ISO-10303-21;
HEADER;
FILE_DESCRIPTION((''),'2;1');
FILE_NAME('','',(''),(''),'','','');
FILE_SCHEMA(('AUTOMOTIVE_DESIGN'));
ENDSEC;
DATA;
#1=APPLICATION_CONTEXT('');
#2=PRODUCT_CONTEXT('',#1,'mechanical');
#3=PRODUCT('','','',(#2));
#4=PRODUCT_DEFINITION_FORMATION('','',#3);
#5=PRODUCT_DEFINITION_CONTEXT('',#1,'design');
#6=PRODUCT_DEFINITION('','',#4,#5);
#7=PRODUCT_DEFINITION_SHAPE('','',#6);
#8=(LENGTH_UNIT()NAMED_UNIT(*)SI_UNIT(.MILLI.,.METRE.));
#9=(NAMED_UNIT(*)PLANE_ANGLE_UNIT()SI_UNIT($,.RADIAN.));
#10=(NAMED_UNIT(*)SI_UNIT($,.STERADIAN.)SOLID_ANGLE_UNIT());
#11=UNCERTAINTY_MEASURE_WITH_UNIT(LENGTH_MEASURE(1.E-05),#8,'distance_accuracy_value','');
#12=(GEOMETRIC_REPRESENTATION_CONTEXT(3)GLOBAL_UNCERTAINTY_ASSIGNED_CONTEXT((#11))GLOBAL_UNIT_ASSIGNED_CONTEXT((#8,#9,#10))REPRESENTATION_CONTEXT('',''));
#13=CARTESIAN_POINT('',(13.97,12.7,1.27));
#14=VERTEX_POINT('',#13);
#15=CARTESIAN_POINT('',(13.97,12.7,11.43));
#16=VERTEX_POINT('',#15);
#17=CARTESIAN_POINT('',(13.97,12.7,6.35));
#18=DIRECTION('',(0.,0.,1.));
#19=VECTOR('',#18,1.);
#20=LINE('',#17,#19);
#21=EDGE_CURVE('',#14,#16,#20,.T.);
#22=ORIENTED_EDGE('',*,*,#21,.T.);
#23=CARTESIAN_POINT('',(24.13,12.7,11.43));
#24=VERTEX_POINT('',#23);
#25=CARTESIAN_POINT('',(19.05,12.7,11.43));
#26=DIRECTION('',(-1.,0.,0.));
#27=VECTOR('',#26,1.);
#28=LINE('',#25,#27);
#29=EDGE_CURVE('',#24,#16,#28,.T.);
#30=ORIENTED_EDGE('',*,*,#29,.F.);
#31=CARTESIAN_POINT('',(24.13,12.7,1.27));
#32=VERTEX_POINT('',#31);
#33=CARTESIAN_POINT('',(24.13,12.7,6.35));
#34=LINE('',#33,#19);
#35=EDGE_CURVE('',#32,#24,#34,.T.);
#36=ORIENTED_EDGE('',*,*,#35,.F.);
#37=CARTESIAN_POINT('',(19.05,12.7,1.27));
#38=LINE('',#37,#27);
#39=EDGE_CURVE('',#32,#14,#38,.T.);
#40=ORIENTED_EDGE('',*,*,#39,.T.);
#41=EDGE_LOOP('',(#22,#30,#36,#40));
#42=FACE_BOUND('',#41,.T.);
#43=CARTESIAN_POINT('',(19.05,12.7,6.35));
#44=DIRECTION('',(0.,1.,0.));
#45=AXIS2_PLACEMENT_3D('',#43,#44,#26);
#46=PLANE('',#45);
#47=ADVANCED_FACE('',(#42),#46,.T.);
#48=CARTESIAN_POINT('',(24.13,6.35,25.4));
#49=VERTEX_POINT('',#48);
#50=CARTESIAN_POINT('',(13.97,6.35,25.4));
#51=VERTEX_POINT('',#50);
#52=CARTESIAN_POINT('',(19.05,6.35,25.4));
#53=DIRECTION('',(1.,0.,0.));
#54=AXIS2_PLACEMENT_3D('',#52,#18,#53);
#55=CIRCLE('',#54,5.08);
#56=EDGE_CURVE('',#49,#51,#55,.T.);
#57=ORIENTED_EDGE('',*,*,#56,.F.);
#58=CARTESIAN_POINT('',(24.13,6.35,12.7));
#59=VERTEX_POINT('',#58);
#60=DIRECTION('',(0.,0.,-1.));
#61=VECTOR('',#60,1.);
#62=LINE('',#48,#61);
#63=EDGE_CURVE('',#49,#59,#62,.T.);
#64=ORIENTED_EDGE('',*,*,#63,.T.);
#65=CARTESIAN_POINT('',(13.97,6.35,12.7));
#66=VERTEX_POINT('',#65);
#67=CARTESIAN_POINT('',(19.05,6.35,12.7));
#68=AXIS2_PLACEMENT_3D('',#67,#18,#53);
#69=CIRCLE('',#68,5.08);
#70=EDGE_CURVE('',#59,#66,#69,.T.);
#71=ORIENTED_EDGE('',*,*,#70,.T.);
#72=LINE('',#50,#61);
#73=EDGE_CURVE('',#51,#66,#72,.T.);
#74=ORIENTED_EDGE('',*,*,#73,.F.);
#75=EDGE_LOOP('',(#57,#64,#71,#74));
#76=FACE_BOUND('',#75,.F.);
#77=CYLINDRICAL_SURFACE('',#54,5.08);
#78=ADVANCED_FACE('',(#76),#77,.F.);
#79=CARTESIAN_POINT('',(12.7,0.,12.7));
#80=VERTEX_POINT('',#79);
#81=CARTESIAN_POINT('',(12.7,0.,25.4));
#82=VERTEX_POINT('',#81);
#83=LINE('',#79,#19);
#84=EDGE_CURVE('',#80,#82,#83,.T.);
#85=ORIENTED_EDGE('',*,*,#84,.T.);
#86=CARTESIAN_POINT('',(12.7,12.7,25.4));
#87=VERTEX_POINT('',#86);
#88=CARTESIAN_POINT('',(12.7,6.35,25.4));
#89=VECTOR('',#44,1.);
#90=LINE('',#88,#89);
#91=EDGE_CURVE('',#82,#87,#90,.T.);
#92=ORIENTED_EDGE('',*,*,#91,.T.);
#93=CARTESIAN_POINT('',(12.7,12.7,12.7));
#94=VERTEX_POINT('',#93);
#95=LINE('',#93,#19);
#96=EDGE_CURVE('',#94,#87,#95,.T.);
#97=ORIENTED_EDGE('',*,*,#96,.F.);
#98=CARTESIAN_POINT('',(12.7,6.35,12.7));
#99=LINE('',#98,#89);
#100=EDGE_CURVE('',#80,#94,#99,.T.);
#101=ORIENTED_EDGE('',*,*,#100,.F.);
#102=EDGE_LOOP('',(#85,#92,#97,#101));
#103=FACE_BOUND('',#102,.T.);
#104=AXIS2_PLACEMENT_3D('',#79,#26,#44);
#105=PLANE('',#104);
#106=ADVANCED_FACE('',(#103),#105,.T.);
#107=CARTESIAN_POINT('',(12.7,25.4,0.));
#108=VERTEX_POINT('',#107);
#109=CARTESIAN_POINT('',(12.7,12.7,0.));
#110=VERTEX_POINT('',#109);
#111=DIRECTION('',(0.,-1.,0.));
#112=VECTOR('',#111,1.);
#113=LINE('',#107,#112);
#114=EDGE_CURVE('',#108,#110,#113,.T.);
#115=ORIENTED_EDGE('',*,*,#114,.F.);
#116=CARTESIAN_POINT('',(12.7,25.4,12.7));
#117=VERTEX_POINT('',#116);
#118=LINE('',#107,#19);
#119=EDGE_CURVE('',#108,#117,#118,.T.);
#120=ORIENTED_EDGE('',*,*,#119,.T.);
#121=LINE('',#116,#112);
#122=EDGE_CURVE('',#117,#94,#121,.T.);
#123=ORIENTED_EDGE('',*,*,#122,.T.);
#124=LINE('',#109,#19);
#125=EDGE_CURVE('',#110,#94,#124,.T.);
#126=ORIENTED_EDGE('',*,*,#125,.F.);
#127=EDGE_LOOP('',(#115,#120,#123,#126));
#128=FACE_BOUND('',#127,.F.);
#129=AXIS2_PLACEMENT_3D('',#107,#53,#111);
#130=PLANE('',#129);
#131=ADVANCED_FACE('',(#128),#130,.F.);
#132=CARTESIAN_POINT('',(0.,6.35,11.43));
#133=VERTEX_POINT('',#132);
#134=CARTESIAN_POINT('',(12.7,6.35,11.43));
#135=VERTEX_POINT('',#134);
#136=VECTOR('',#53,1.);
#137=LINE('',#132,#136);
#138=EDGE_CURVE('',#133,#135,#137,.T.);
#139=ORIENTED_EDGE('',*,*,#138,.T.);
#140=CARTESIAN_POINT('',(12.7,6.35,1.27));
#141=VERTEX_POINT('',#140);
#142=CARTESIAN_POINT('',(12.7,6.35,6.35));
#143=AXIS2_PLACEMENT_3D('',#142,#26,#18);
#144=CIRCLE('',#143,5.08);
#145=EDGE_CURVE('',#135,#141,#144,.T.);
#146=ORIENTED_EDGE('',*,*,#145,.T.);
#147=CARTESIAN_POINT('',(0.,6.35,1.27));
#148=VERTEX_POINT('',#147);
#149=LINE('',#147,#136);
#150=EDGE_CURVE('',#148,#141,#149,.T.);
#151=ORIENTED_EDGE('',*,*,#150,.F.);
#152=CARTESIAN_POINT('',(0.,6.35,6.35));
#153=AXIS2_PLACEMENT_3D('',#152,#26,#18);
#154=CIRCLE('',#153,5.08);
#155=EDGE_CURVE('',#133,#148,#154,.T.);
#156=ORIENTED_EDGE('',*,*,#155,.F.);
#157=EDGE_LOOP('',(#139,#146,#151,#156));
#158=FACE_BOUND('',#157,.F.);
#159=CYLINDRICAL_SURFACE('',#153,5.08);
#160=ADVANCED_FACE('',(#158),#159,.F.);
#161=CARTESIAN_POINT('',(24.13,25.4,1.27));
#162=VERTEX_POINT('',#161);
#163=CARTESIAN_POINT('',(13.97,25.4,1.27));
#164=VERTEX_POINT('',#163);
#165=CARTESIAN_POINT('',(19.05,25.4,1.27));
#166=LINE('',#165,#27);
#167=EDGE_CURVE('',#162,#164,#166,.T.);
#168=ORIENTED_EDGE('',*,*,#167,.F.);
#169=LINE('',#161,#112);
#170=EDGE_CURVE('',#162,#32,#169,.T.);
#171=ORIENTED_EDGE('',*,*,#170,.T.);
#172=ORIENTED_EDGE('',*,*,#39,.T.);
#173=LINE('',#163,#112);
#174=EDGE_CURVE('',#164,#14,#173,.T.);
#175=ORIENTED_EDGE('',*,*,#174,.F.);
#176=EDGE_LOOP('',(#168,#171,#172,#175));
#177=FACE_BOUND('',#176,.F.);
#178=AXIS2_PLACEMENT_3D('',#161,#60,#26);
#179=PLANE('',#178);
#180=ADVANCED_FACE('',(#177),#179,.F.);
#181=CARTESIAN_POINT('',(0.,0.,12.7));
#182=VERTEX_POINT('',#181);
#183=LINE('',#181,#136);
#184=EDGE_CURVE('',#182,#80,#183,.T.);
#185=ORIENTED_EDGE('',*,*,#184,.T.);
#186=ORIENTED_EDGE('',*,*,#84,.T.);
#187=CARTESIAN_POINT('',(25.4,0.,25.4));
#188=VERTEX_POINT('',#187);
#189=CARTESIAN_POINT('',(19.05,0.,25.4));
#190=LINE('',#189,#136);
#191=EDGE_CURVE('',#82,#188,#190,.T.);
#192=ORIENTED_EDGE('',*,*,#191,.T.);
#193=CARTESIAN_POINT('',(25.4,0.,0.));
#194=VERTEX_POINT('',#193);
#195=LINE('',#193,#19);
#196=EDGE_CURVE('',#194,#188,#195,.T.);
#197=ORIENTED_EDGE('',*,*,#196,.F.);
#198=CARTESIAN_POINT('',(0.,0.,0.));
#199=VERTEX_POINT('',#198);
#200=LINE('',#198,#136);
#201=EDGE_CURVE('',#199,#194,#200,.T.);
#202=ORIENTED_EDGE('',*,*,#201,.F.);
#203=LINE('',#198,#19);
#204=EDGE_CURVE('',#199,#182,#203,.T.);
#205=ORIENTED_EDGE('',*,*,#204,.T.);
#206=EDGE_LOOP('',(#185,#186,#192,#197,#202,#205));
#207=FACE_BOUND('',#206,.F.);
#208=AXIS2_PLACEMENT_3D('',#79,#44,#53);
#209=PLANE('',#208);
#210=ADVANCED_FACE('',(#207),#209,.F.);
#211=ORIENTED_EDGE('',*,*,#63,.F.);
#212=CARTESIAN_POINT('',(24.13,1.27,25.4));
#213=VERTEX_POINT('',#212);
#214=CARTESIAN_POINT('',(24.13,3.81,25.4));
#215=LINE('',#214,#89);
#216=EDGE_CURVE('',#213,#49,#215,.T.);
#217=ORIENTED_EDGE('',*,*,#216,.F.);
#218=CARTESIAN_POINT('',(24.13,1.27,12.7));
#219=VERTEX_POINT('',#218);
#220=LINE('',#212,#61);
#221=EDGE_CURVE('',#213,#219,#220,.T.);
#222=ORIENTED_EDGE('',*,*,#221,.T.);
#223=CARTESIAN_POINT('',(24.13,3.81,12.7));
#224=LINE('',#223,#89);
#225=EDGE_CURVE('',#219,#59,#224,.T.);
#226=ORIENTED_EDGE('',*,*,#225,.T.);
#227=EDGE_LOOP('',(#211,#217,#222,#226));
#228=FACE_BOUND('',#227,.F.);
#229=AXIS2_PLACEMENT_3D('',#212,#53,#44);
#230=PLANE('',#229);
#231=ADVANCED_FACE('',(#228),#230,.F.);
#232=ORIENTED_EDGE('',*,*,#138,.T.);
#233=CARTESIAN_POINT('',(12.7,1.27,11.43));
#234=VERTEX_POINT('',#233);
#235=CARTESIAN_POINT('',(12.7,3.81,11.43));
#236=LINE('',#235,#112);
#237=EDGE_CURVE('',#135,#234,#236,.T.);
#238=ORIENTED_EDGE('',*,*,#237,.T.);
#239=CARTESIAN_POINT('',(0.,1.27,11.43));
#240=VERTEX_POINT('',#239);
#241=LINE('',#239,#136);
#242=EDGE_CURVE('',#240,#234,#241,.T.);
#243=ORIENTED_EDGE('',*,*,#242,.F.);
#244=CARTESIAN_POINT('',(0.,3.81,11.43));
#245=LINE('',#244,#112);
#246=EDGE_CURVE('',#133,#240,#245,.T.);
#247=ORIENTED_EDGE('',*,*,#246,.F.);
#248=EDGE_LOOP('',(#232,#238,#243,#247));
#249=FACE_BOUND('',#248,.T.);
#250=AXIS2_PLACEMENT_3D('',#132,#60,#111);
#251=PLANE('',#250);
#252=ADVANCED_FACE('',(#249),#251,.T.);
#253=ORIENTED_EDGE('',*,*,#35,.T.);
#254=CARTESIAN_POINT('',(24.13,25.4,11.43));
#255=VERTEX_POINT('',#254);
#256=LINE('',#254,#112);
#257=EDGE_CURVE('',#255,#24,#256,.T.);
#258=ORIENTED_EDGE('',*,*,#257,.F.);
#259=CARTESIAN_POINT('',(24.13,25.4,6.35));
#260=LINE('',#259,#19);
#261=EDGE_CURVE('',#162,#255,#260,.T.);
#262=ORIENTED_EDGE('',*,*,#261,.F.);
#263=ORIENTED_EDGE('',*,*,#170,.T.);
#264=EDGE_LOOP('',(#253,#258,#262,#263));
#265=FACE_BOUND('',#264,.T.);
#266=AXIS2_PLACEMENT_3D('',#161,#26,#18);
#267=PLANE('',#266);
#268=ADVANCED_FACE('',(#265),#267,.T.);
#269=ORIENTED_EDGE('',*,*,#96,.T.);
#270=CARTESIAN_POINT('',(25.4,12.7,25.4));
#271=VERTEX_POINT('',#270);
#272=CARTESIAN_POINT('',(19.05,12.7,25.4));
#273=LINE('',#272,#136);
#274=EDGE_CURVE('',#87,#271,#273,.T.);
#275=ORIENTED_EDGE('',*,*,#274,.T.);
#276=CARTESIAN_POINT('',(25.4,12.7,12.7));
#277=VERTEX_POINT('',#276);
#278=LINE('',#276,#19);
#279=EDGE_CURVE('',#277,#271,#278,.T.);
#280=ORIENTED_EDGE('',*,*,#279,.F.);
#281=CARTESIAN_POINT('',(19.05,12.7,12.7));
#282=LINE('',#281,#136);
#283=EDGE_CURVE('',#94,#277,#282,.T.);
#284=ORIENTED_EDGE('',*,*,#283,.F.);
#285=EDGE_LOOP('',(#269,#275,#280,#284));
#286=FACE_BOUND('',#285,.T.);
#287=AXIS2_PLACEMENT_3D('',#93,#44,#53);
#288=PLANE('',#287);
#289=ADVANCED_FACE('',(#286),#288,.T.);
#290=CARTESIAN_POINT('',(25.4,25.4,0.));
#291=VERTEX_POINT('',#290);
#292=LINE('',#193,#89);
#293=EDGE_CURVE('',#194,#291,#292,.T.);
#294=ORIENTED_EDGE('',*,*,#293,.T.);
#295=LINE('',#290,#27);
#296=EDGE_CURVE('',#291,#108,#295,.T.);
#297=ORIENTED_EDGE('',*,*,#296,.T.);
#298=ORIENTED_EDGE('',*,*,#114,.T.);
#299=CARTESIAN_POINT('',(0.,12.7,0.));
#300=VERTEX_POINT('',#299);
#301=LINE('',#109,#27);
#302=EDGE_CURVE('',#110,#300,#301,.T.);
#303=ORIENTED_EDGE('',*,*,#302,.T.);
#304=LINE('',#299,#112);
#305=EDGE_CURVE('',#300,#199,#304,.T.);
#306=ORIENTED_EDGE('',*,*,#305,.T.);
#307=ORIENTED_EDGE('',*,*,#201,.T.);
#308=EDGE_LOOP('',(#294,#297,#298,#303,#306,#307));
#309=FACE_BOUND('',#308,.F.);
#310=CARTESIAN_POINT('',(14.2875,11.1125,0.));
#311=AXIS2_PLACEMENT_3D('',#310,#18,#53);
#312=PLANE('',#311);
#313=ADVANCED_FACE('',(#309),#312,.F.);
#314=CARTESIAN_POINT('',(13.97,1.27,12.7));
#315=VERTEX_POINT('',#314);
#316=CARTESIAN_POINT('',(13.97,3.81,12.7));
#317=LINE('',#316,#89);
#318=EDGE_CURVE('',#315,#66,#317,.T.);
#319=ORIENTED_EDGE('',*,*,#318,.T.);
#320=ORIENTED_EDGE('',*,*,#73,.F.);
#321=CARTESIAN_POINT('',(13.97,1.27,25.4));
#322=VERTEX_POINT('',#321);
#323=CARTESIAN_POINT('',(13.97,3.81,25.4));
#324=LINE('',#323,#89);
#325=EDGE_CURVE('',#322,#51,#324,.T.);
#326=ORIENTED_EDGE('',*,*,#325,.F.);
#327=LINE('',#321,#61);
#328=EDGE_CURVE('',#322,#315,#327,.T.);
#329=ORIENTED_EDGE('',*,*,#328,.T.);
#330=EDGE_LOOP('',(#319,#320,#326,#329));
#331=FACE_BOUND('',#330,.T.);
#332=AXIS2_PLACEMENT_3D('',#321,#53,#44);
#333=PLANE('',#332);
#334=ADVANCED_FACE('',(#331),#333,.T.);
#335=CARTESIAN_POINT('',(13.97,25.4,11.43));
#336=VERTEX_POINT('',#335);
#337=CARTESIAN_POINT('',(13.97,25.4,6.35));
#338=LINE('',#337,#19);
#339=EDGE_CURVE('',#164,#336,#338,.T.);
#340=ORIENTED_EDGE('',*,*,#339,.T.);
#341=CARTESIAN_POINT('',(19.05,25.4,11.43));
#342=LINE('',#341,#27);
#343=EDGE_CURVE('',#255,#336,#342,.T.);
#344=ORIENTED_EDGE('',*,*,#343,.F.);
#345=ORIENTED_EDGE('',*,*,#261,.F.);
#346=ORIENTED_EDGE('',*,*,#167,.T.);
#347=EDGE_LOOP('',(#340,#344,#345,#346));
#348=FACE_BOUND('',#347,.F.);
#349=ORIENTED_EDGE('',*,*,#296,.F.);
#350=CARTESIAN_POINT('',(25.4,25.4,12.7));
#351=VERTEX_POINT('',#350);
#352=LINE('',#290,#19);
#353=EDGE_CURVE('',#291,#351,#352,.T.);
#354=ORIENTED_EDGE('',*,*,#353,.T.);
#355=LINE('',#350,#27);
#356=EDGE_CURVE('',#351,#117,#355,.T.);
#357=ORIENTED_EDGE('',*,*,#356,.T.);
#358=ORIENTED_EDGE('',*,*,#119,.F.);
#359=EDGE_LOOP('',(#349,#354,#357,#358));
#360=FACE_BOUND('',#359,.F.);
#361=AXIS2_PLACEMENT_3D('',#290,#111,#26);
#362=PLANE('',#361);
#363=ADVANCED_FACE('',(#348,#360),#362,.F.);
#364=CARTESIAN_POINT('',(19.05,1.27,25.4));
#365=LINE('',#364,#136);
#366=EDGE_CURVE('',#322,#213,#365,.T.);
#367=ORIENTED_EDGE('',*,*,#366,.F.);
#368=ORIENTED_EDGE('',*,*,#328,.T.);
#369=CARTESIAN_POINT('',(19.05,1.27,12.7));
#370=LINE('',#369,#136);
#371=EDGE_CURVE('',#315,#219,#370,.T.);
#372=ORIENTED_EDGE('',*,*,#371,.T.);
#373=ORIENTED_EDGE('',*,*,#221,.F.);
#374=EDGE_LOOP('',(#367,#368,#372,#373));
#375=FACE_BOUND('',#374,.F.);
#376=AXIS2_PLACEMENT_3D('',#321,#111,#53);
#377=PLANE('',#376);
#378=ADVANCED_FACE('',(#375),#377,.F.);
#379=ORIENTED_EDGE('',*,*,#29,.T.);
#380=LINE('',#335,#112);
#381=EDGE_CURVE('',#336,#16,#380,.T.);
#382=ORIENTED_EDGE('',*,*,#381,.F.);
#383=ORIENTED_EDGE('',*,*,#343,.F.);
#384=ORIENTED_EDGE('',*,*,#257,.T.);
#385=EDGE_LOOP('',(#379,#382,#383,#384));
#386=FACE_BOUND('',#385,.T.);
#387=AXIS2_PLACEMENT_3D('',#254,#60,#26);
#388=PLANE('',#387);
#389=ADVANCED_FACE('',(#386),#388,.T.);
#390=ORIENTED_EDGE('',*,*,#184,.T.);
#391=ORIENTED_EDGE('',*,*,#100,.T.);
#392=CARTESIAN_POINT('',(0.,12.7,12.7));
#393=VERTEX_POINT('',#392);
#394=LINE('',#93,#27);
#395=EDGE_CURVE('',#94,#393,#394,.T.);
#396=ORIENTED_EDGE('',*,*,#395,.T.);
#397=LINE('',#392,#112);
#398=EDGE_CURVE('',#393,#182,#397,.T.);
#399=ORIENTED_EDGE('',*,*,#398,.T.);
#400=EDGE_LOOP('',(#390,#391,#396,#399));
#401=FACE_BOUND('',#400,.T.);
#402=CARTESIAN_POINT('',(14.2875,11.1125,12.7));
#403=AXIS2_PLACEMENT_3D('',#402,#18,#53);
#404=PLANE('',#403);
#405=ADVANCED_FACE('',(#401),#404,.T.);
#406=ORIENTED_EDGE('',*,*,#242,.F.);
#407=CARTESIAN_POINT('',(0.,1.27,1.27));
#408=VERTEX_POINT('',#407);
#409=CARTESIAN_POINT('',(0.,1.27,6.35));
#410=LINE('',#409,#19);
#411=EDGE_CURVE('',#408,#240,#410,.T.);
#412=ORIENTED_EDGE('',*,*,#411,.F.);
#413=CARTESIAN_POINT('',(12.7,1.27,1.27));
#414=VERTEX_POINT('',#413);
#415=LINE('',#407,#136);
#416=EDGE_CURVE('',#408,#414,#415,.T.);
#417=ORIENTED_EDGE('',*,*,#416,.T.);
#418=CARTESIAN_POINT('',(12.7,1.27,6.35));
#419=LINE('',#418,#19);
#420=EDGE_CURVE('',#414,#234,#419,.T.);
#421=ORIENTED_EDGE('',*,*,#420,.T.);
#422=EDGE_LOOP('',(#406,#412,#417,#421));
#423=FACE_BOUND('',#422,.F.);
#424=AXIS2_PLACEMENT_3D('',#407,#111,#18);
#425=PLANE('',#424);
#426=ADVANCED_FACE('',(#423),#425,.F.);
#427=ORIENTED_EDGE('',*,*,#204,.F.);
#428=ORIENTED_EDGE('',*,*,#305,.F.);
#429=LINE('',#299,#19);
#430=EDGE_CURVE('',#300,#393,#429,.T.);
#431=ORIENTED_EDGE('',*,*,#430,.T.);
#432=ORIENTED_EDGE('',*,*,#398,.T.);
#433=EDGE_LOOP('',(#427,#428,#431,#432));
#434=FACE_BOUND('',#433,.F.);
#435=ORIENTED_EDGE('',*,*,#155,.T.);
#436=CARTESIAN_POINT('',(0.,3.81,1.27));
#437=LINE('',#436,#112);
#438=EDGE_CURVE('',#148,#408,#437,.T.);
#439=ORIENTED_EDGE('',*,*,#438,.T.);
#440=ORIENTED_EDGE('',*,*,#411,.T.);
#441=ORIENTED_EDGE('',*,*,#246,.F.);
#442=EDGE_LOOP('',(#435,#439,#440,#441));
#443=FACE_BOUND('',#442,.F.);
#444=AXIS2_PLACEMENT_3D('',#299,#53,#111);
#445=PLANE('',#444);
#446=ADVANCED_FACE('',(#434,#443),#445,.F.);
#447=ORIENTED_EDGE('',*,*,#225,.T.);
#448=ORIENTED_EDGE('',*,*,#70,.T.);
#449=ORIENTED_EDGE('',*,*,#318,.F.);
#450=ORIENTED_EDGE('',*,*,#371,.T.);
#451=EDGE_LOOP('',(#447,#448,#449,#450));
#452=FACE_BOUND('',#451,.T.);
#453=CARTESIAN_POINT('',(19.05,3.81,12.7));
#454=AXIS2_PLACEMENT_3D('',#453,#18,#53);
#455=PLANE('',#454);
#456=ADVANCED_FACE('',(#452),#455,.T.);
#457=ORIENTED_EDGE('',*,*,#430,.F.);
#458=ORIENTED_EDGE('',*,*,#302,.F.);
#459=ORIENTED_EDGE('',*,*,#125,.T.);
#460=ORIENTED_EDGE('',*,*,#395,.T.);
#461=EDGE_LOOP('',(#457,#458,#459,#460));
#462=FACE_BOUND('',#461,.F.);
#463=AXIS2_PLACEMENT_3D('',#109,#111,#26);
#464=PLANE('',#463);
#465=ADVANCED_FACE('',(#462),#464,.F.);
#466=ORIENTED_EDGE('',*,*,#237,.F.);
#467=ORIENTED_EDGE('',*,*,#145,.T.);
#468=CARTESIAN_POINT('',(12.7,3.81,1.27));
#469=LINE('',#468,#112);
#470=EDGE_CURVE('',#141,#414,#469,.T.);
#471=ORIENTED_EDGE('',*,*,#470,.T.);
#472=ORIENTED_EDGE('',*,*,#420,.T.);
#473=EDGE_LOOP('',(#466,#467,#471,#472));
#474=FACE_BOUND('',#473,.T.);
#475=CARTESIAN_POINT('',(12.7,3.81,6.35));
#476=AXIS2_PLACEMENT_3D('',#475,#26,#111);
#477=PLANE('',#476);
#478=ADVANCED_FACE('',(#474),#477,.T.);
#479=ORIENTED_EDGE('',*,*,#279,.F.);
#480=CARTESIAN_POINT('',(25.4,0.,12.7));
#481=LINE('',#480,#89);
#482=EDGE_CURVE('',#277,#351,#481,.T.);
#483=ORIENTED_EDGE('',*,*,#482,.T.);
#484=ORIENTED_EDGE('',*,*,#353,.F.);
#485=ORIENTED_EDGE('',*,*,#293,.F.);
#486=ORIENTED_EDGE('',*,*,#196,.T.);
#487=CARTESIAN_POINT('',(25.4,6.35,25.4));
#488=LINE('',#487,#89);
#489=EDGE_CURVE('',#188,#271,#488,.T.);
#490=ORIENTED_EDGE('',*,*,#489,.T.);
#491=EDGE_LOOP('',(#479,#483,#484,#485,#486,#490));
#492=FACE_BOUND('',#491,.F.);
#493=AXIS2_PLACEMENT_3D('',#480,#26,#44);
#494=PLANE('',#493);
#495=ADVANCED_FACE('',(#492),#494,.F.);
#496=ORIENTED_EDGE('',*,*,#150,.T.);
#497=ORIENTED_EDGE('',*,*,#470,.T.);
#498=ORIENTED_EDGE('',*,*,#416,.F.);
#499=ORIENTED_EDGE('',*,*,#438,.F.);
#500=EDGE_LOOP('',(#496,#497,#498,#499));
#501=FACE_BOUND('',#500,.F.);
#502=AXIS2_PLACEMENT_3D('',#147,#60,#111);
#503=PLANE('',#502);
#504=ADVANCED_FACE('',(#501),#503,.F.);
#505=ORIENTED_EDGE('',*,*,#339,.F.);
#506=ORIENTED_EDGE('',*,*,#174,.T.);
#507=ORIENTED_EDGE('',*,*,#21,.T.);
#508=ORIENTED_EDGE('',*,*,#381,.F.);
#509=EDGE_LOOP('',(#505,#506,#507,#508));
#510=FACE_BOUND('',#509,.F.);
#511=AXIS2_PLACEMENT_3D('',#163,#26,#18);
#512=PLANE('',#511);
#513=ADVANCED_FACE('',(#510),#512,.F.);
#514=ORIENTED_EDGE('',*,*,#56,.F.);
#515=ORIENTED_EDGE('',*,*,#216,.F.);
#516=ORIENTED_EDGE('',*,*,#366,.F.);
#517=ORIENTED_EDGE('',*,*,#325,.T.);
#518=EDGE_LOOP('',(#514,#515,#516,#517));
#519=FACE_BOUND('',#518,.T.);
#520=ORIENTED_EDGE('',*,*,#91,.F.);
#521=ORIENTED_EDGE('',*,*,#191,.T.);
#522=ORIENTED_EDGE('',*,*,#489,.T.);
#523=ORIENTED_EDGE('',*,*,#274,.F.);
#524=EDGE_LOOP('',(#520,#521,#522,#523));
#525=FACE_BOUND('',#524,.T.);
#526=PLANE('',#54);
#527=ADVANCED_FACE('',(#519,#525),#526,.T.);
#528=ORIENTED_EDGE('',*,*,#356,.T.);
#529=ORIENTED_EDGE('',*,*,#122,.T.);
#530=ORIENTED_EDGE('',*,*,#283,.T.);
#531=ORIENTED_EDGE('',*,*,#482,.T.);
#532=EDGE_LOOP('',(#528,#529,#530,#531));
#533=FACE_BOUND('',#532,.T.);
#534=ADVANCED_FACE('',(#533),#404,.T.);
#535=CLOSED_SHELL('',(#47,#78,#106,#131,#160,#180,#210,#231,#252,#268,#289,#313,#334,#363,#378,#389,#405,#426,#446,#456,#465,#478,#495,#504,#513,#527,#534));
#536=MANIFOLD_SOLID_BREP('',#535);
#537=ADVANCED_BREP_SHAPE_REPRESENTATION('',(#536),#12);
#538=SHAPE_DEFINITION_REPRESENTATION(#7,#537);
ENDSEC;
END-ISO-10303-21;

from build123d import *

# Parameters (mm, degrees)
F1_DEPTH  = 12.7
F2_W      = 12.7
F2_H      = 12.7
F3_DEPTH  = 12.7
F5_W      = 10.16
F5_H      = 5.08
F6_DEPTH  = 12.7
F7_W      = 5.08
F7_H      = 10.16
F8_DEPTH  = 12.7
F9_W      = 10.16
F9_H      = 10.16
F10_DEPTH = 12.7


with BuildPart() as f1:
    # F0 (on Top) → F1 (new body)
    with BuildSketch(Plane.XY):
        Polygon((0, 12.7), (0, 0), (25.4, 0), (25.4, 12.7), (25.4, 25.4), (12.7, 25.4), (12.7, 12.7), align=None)
    extrude(amount=F1_DEPTH)

    # F2 (on face) → F3 (join)
    with BuildSketch(Plane.XY.offset(12.7)):
        with Locations((19.05, 6.35)):
            Rectangle(F2_W, F2_H)
    extrude(amount=F3_DEPTH)

    # F5 (on face) → F6 (cut)
    with BuildSketch(Plane.XY.offset(25.4)):
        with Locations((19.05, 3.81)):
            Rectangle(F5_W, F5_H)
        with BuildLine():
            Line((13.97, 6.35), (24.13, 6.35))
            ThreePointArc((24.13, 6.35), (19.05, 11.43), (13.97, 6.35))
        make_face()
    extrude(amount=-F6_DEPTH, mode=Mode.SUBTRACT)

    # F7 (on face) → F8 (cut)
    with BuildSketch(Plane(origin=(0, 0, 0), x_dir=(0, -1, 0), z_dir=(-1, 0, 0))):
        with Locations((-3.81, 6.35)):
            Rectangle(F7_W, F7_H)
        with BuildLine():
            Line((-6.35, 1.27), (-6.35, 11.43))
            ThreePointArc((-6.35, 11.43), (-11.43, 6.35), (-6.35, 1.27))
        make_face()
    extrude(amount=-F8_DEPTH, mode=Mode.SUBTRACT)

    # F9 (on face) → F10 (cut)
    with BuildSketch(Plane(origin=(0, 25.4, 0), x_dir=(-1, 0, 0), z_dir=(0, 1, 0))):
        with Locations((-19.05, 6.35)):
            Rectangle(F9_W, F9_H)
    extrude(amount=-F10_DEPTH, mode=Mode.SUBTRACT)


solid = f1.part
